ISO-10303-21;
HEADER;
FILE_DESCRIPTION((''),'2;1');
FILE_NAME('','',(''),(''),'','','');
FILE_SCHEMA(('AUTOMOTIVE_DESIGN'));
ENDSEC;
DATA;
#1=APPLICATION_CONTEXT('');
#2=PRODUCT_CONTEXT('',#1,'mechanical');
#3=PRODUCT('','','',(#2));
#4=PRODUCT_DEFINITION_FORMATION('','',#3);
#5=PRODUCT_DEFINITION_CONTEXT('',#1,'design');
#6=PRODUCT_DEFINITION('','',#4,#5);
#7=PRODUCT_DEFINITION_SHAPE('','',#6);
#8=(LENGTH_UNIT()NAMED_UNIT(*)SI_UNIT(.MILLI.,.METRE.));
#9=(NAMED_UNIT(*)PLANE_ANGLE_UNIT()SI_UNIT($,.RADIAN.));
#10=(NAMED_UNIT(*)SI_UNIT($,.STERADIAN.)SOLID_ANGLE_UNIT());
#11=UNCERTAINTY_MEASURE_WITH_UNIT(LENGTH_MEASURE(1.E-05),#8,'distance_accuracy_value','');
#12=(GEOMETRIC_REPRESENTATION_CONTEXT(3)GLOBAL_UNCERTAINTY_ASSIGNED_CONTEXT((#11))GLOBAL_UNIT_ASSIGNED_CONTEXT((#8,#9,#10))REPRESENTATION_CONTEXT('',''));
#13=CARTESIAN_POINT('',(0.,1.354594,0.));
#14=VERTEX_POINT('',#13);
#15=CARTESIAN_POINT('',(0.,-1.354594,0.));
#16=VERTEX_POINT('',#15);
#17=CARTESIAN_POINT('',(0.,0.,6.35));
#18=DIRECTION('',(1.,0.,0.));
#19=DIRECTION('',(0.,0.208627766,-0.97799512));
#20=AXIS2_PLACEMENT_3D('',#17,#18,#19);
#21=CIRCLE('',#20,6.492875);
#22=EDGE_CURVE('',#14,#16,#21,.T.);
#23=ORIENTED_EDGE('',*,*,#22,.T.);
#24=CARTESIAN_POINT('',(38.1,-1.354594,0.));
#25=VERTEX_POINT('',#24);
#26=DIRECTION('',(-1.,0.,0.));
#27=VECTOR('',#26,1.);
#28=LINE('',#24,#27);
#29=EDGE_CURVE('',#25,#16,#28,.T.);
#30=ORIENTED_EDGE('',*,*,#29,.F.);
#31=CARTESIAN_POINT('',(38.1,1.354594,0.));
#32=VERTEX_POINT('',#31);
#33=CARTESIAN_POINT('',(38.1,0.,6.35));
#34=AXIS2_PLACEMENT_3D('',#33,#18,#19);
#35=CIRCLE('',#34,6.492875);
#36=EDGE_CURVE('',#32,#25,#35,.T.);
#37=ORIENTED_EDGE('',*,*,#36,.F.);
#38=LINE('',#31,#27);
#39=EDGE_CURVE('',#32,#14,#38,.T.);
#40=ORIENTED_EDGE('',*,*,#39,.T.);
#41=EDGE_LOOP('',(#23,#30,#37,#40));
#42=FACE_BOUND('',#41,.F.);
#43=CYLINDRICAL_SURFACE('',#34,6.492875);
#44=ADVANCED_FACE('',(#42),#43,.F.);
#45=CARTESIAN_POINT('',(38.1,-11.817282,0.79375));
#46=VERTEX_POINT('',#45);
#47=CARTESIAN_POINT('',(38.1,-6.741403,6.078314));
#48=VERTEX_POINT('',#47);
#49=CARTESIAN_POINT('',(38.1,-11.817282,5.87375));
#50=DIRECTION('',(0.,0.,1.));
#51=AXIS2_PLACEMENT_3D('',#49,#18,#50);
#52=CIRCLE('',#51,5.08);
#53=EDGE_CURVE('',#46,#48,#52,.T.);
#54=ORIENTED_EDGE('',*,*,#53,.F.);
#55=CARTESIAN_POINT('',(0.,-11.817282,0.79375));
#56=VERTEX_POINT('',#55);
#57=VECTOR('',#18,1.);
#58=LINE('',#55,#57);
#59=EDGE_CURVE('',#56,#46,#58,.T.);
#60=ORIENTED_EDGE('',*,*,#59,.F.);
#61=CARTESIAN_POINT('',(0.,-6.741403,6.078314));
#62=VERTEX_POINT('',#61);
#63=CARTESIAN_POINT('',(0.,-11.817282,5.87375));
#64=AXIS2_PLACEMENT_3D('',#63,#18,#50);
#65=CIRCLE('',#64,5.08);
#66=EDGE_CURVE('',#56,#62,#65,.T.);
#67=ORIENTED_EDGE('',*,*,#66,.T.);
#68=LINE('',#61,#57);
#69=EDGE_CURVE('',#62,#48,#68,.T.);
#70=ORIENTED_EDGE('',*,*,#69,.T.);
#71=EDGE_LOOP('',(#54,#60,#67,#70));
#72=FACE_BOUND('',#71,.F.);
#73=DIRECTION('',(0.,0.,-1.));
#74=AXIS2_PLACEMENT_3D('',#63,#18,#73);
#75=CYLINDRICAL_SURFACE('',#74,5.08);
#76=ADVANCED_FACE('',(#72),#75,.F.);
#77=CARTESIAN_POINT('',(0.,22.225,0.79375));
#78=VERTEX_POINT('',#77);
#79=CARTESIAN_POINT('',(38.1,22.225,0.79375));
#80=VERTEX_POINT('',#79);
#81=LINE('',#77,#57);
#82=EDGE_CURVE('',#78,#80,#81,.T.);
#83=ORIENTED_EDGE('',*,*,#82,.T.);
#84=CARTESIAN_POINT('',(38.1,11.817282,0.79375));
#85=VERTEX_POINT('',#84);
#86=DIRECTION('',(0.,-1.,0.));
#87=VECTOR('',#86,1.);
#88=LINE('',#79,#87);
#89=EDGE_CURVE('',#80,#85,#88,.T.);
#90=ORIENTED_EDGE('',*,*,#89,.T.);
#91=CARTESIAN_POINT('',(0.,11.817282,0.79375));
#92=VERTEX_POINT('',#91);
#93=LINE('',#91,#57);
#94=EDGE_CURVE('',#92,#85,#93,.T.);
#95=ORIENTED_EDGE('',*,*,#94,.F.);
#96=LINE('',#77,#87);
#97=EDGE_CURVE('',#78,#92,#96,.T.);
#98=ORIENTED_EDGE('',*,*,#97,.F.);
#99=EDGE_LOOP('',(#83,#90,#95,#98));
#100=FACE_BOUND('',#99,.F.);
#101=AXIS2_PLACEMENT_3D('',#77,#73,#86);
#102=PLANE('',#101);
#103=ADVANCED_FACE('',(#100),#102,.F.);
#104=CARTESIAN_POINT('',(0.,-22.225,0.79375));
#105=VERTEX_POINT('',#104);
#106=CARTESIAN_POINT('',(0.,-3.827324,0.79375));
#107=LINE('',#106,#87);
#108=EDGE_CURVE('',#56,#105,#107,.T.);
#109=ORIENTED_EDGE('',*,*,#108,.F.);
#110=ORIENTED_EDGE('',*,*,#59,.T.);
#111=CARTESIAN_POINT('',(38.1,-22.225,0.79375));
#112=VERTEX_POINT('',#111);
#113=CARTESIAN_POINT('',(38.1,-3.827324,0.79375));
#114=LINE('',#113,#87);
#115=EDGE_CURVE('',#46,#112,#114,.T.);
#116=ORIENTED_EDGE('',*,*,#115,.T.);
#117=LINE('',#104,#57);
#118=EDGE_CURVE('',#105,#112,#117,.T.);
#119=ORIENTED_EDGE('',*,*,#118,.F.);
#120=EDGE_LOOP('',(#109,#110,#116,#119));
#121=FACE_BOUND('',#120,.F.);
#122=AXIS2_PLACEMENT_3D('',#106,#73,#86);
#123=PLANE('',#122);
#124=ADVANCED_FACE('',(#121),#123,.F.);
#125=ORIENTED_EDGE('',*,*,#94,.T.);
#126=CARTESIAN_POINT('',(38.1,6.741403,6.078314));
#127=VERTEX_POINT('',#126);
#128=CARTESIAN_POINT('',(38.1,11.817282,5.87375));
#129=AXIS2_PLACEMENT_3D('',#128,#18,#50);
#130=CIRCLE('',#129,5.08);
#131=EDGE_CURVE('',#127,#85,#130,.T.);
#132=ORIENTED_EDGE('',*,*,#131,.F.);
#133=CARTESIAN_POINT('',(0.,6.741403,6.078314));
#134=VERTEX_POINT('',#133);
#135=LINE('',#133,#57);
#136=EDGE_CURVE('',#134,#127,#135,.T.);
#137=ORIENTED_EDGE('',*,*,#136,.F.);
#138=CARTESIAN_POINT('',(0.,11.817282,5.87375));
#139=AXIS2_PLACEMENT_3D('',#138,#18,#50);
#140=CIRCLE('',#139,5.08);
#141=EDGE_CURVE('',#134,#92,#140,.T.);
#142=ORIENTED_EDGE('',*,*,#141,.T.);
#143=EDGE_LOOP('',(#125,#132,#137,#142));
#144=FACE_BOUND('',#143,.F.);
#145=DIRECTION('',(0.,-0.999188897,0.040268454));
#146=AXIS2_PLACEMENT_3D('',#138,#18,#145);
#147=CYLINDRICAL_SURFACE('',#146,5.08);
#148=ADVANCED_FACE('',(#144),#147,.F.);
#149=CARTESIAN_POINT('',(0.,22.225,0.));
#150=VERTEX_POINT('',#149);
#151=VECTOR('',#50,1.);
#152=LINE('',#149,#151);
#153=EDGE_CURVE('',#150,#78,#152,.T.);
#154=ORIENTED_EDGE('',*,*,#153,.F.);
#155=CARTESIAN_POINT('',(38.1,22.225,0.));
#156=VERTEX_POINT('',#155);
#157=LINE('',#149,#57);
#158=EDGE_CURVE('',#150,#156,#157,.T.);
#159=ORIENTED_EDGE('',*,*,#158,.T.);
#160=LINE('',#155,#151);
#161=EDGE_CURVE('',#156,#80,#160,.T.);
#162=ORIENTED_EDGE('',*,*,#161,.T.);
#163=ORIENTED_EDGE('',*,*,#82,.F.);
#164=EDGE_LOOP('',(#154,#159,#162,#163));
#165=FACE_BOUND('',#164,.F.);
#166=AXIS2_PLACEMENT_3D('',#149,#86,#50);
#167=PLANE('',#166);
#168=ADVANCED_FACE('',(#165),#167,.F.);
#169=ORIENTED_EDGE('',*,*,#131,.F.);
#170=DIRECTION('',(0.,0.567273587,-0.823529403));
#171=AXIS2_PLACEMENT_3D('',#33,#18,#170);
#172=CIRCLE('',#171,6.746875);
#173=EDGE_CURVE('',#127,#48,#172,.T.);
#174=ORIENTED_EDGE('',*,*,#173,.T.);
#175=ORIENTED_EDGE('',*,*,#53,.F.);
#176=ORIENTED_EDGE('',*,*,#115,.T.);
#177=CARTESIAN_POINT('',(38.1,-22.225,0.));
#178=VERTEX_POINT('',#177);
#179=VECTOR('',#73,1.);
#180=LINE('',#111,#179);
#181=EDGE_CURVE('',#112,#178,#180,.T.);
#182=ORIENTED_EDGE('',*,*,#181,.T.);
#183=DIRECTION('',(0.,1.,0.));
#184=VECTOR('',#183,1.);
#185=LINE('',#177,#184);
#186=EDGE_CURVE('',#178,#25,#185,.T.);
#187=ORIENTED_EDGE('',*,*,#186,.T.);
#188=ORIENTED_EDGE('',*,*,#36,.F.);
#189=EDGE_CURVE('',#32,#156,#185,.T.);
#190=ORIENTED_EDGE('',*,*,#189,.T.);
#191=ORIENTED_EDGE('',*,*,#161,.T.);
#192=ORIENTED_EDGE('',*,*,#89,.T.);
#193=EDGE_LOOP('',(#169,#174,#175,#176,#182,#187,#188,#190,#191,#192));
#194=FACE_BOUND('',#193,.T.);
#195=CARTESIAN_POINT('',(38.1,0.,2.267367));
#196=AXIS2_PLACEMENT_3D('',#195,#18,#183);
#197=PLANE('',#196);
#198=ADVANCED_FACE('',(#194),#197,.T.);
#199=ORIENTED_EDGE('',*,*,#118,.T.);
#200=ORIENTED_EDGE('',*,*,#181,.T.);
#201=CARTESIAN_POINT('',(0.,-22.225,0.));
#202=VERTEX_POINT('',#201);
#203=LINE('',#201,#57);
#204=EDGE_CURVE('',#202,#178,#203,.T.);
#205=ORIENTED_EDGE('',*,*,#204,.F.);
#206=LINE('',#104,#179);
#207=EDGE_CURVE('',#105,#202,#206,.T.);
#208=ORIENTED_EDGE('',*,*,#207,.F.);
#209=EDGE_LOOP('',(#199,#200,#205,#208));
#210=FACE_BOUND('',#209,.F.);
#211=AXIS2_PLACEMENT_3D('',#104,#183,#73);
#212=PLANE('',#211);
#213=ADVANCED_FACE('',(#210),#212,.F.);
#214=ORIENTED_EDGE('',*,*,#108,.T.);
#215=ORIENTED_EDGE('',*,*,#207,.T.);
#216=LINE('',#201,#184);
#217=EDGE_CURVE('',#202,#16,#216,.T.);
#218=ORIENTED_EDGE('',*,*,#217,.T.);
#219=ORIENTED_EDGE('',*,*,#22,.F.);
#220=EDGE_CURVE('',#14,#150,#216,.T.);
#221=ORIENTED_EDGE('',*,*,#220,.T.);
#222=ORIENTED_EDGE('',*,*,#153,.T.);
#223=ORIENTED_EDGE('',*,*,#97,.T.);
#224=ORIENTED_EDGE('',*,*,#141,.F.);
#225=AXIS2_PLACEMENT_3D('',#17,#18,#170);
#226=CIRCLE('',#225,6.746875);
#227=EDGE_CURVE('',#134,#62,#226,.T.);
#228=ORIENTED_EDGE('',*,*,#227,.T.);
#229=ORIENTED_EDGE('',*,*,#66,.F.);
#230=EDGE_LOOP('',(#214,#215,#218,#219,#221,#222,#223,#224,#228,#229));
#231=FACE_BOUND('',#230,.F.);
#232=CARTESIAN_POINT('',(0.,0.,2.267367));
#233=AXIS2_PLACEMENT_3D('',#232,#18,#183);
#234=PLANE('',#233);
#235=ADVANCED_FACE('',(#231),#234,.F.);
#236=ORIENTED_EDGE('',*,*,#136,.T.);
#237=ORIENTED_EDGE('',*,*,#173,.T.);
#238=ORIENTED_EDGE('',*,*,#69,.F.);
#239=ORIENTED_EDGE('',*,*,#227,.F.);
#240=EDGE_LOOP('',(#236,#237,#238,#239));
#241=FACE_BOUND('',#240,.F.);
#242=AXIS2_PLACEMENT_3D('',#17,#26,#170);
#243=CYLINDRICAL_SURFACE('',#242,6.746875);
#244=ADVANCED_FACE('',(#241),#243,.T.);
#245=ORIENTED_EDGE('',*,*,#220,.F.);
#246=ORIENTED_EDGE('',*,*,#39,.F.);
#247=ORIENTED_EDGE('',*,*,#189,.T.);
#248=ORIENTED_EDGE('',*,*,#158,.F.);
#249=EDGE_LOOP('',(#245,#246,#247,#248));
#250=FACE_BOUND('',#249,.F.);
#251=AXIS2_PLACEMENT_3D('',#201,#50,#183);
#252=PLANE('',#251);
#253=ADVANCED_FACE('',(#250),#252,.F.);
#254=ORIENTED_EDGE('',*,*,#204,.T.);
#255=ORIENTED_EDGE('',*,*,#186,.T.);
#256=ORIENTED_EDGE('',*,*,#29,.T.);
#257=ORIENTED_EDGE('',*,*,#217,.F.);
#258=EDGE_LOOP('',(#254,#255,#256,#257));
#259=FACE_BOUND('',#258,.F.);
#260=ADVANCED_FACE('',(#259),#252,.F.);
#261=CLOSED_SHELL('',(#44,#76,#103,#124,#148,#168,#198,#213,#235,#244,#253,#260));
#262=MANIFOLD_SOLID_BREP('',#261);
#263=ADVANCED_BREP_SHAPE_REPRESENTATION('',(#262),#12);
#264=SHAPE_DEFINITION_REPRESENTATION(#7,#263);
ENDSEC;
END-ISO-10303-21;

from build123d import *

# Parameters (mm, degrees)
F1_DEPTH = 38.1
F3_DEPTH = 38.101
F4_R     = 5.08
F5_DEPTH = 38.101


with BuildPart() as f1:
    # F0 (on Right) → F1 (new body)
    with BuildSketch(Plane.YZ):
        with BuildLine():
            Line((-22.225, 0.79375), (-22.225, 0))
            Line((-22.225, 0), (0, 0))
            Line((0, 0), (22.225, 0))
            Line((22.225, 0), (22.225, 0.79375))
            Line((22.225, 0.79375), (3.827324, 0.79375))
            ThreePointArc((3.827324, 0.79375), (0, 13.096875), (-3.827324, 0.79375))
            Line((-3.827324, 0.79375), (-22.225, 0.79375))
        make_face()
    extrude(amount=F1_DEPTH)

    # F2 (on face) → F3 (cut, through all)
    with BuildSketch(Plane.YZ.offset(38.1)):
        with BuildLine():
            Line((-1.354594, 0), (1.354594, 0))
            ThreePointArc((1.354594, 0), (0, 12.842875), (-1.354594, 0))
        make_face()
    extrude(amount=-F3_DEPTH, mode=Mode.SUBTRACT)

    # F4
    f4_edges = [f1.edges().sort_by_distance(p)[0] for p in [
        (19.05, -3.827324, 0.79375),
        (19.05, 3.827324, 0.79375),
    ]]
    fillet(f4_edges, radius=F4_R)

    # F2 (on face) → F5 (cut, through all)
    with BuildSketch(Plane.YZ.offset(38.1)):
        with BuildLine():
            Line((-1.354594, 0), (1.354594, 0))
            ThreePointArc((1.354594, 0), (0, 12.842875), (-1.354594, 0))
        make_face()
    extrude(amount=-F5_DEPTH, mode=Mode.SUBTRACT)


solid = f1.part
